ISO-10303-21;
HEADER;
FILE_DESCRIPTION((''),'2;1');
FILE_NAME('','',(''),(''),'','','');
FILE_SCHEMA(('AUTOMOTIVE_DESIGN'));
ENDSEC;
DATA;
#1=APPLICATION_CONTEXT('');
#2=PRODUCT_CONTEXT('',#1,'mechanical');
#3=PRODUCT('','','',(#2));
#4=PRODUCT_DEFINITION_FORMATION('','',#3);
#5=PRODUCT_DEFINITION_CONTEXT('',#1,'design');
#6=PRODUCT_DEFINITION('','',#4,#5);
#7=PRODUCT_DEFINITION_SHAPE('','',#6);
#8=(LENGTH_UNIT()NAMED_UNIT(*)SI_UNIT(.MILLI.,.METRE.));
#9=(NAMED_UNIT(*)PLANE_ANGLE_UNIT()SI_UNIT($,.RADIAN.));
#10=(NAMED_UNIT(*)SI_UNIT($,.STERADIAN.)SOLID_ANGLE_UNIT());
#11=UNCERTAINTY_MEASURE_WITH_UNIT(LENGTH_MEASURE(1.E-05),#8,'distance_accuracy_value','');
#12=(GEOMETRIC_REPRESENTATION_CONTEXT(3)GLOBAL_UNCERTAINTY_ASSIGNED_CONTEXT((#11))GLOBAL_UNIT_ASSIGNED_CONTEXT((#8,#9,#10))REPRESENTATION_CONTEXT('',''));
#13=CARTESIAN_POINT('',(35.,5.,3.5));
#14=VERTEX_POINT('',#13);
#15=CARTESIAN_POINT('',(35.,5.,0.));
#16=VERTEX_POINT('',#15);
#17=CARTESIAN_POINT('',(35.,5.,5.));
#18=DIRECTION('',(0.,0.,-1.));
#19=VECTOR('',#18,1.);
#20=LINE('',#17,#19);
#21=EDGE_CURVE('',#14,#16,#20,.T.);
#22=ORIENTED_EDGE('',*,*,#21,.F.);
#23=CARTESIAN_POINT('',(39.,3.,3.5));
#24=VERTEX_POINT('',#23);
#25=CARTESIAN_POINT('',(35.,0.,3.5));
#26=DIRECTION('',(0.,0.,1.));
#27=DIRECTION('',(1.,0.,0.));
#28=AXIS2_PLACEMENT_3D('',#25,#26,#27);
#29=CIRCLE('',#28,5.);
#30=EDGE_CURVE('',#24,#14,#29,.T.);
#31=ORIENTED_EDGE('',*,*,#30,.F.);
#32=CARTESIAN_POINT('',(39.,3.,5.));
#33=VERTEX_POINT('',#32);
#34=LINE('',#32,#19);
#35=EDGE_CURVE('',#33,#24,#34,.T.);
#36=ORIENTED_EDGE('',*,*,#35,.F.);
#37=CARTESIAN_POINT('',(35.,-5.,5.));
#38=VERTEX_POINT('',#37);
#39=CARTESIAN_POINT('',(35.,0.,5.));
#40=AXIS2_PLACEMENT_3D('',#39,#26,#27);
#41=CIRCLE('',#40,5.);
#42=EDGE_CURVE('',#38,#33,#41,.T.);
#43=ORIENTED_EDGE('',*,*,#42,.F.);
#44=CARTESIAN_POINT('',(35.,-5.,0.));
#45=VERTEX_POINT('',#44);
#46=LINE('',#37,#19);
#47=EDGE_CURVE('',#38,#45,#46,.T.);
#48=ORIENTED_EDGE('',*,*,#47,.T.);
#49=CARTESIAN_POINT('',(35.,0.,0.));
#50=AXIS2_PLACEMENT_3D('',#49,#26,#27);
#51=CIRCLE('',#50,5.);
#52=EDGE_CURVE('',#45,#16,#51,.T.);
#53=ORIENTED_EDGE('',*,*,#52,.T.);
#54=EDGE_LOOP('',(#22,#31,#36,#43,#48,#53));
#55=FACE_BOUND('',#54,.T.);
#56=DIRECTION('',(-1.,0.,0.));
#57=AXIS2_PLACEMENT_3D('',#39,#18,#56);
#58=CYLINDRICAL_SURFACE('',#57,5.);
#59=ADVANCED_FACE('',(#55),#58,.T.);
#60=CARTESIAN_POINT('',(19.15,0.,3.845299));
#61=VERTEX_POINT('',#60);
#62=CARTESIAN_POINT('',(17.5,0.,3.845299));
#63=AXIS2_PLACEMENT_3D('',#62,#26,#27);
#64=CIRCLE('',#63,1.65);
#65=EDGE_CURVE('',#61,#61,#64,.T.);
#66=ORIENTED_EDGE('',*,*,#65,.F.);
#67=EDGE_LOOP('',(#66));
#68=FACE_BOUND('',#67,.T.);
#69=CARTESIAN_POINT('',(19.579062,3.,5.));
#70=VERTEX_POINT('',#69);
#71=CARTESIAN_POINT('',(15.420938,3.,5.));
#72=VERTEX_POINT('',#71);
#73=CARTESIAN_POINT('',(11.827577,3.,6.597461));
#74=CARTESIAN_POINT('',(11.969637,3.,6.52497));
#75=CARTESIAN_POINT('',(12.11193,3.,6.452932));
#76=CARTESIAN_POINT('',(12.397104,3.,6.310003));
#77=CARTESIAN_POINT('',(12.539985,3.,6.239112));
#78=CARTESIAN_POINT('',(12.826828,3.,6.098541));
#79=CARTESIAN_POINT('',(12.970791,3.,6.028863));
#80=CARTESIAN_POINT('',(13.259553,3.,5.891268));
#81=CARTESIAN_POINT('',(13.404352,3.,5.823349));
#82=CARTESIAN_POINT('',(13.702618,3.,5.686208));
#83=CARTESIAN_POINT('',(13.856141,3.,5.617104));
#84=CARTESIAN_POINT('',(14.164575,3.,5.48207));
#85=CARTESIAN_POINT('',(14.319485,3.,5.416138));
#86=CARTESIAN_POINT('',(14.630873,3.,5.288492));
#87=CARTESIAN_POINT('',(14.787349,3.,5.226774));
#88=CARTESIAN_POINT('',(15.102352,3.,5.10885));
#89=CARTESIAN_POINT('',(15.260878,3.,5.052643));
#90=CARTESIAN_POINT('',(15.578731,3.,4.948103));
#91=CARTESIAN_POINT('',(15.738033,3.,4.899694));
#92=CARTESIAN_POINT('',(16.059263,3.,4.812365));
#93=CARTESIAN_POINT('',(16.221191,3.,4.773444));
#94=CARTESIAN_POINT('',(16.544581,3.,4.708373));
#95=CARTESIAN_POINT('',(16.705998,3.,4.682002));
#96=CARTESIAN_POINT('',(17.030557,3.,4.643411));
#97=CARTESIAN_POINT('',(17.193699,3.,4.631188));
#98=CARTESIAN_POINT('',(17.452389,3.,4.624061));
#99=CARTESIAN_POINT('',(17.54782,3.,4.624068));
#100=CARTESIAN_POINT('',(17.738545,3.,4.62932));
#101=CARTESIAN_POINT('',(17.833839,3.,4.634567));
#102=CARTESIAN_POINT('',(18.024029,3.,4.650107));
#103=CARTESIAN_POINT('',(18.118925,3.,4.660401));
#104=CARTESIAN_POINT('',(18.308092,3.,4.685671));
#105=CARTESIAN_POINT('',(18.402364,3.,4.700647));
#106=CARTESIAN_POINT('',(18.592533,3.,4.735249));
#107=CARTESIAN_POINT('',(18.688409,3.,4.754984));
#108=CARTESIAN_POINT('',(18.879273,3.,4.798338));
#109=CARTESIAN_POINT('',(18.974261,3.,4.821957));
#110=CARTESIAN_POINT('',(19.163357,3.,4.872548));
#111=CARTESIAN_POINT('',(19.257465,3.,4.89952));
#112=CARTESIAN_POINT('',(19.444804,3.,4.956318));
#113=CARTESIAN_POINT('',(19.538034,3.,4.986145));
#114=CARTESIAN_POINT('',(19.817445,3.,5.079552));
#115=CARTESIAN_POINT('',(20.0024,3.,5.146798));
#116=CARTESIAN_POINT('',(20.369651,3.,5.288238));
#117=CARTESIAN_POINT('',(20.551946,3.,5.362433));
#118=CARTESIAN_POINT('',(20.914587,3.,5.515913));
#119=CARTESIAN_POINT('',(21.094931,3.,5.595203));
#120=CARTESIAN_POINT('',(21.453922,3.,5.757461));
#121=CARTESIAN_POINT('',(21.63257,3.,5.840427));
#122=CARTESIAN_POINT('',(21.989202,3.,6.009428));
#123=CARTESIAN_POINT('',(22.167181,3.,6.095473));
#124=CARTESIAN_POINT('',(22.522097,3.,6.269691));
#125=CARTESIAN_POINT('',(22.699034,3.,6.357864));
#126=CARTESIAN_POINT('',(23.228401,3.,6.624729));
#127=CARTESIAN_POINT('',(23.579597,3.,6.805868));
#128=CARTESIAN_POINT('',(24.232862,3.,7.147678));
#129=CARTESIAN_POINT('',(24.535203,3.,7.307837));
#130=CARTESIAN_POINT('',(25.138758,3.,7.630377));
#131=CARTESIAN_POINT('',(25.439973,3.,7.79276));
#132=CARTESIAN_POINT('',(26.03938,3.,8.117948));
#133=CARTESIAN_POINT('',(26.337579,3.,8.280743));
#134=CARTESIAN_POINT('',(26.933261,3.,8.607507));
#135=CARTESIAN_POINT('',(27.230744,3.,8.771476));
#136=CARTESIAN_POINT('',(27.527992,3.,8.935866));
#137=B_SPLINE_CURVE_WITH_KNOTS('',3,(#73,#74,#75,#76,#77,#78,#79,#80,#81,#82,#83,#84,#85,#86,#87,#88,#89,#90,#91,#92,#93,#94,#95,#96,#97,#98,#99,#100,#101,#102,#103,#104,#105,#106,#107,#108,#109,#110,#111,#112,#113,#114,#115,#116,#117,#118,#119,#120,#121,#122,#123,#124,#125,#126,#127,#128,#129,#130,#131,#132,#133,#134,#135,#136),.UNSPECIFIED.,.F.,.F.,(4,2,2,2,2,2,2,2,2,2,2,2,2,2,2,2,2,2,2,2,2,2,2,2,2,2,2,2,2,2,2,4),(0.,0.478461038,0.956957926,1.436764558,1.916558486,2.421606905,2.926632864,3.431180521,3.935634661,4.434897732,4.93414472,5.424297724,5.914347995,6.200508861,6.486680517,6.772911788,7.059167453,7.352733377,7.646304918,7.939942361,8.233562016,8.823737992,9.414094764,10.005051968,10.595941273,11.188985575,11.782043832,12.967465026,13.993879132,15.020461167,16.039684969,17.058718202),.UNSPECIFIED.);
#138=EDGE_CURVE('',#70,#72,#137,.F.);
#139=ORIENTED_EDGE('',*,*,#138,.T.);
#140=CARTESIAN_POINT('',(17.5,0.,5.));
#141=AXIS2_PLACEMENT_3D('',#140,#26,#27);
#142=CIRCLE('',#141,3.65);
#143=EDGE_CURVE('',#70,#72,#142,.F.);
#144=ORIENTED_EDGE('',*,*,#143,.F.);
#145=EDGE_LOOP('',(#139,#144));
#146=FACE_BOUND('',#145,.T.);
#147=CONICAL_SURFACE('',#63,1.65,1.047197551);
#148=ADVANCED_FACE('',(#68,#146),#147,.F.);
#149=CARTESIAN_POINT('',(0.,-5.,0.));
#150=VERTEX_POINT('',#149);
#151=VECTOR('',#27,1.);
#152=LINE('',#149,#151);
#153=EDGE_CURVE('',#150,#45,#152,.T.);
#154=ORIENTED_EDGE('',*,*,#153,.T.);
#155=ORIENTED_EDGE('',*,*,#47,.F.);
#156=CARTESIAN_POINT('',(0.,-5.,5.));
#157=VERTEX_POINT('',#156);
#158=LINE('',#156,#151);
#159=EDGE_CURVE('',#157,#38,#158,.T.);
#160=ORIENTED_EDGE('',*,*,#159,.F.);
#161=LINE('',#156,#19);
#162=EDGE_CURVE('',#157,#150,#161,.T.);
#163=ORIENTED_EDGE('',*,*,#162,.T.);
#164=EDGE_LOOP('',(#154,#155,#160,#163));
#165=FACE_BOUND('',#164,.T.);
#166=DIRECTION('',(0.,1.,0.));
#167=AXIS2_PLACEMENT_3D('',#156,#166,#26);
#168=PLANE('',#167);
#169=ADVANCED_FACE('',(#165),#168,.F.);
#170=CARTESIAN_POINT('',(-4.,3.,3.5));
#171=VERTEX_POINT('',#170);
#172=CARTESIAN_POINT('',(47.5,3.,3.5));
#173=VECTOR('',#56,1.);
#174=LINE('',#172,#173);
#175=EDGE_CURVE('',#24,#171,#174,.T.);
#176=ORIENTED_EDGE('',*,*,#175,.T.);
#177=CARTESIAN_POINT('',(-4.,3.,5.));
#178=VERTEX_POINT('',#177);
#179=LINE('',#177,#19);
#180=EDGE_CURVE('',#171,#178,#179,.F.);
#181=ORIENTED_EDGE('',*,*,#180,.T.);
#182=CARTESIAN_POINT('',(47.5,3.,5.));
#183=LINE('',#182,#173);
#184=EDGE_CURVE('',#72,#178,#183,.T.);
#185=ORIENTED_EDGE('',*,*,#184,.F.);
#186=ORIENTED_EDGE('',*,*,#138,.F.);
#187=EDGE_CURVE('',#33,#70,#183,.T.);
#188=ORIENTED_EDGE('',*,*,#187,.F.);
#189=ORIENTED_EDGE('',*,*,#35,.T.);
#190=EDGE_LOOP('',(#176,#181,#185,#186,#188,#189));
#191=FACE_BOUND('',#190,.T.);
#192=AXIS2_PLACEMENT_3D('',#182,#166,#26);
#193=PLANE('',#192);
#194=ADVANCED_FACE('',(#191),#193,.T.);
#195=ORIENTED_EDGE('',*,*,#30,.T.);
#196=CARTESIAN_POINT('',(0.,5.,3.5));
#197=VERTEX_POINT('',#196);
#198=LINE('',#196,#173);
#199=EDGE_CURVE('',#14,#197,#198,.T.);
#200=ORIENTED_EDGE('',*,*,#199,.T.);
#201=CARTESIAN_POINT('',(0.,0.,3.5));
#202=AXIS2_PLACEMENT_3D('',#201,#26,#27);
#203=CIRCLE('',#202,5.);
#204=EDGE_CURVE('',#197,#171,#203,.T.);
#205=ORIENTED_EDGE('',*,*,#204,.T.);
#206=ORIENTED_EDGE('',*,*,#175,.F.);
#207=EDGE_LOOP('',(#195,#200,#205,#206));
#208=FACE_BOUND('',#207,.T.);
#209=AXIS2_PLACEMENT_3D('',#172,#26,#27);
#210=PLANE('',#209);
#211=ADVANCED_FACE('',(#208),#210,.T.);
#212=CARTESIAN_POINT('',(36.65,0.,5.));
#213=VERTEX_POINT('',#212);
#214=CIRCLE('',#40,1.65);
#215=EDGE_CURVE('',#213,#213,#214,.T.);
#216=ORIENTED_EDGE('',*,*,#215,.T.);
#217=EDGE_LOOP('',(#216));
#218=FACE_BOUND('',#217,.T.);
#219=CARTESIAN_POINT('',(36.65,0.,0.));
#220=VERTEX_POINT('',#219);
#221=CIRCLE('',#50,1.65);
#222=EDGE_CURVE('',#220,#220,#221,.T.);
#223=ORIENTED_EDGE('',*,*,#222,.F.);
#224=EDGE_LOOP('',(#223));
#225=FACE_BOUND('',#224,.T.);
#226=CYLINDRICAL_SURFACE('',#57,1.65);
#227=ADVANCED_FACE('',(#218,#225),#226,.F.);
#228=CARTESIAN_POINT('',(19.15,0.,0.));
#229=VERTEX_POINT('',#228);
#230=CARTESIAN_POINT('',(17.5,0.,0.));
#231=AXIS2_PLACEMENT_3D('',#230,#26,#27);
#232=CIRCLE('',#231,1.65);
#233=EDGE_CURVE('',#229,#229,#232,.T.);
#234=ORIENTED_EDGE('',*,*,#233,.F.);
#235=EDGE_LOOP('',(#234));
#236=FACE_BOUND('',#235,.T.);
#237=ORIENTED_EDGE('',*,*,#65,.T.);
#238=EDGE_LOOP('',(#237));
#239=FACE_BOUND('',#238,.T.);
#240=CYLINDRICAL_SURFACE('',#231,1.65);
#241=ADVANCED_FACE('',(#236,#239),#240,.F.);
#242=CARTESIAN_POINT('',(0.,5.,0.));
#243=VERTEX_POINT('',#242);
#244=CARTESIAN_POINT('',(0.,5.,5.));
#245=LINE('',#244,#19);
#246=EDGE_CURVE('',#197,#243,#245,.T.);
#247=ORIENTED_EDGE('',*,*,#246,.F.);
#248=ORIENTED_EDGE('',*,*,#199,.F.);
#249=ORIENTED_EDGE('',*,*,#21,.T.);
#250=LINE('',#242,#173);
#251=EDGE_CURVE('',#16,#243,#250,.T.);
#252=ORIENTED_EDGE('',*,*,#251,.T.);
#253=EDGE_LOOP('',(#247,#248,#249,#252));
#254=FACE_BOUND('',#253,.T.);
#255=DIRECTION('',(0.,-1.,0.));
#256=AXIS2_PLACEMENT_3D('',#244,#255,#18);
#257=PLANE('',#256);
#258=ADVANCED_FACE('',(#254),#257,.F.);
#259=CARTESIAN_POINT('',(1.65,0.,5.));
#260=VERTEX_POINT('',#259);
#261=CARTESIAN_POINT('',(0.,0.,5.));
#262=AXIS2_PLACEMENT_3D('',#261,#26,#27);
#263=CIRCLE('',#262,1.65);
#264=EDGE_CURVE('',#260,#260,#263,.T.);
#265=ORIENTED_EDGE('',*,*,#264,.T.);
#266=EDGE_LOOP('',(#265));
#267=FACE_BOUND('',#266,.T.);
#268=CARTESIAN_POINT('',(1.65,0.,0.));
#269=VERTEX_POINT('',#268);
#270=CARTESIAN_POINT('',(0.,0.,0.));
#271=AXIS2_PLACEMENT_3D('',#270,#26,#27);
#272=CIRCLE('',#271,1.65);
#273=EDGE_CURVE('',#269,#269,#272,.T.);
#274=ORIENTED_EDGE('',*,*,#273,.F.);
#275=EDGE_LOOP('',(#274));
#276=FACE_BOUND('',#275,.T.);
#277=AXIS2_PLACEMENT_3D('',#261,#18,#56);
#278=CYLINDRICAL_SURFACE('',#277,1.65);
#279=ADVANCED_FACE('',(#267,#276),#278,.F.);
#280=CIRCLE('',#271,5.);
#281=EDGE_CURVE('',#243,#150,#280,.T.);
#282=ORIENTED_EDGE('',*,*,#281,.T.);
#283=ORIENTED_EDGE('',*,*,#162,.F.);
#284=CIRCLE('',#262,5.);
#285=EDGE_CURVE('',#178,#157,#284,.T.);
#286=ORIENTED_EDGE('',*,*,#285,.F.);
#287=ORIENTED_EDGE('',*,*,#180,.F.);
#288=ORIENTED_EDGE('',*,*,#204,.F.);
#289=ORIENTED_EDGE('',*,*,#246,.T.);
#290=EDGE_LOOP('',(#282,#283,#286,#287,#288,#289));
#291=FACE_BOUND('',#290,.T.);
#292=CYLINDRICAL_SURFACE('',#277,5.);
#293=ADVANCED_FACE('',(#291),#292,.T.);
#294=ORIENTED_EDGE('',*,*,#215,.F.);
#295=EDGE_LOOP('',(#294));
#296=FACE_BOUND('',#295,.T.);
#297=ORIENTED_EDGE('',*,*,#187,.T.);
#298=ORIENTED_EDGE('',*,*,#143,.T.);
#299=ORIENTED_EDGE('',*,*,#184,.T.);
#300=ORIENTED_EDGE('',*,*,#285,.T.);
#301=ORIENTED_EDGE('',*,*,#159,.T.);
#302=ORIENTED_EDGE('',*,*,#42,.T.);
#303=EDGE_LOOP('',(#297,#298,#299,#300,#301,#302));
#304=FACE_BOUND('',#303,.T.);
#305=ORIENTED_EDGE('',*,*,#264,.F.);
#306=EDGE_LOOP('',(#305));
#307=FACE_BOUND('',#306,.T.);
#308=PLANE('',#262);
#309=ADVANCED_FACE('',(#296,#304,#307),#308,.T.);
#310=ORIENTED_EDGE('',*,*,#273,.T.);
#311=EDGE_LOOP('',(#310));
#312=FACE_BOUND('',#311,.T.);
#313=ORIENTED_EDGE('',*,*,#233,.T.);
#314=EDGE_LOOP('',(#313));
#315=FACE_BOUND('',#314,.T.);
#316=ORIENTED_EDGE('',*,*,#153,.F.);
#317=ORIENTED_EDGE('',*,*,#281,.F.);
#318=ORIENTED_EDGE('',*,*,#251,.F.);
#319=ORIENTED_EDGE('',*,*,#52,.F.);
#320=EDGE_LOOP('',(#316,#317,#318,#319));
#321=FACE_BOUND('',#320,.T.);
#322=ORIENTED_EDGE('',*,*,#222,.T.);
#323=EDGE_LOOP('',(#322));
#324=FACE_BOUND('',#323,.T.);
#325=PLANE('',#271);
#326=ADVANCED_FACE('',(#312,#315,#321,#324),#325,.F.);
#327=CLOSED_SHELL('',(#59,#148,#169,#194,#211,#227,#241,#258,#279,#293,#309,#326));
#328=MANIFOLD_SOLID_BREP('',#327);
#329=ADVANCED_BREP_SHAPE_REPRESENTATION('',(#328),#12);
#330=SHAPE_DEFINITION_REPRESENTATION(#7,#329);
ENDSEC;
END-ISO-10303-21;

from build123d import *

# Parameters (mm, degrees)
SKETCH1_R           = 1.65
BOSS_EXTRUDE1_DEPTH = 5
SKETCH2_R           = 1.65
CUT_EXTRUDE1_DEPTH  = 5
CHAMFER1_SIZE       = 2
CHAMFER1_SIZE2      = 1.154700538
SKETCH3_W           = 1.5
SKETCH3_H           = 2
CUT_EXTRUDE2_DEPTH  = 47.5


with BuildPart() as part:
    # Sketch1 → Boss-Extrude1 (new body)
    with BuildSketch(Plane.XY):
        with BuildLine():
            Line((0, 5), (35, 5))
            ThreePointArc((35, 5), (40, 0), (35, -5))
            Line((35, -5), (0, -5))
            ThreePointArc((0, -5), (-5, 0), (0, 5))
        make_face()
        with Locations((35, 0)):
            Circle(SKETCH1_R, mode=Mode.SUBTRACT)
        Circle(SKETCH1_R, mode=Mode.SUBTRACT)
    extrude(amount=BOSS_EXTRUDE1_DEPTH)

    # Sketch2 → Cut-Extrude1 (cut)
    with BuildSketch(Plane.XY.offset(5)):
        with Locations((17.5, 0)):
            Circle(SKETCH2_R)
    extrude(amount=-CUT_EXTRUDE1_DEPTH, mode=Mode.SUBTRACT)

    # Chamfer1
    chamfer1_edges = [part.edges().sort_by_distance(p)[0] for p in [
        (15.85, 0, 5),
    ]]
    chamfer1_side = [part.faces().sort_by_distance(p)[0] for p in [
        (17.5, 4.539022777, 5),
    ]]
    chamfer(chamfer1_edges, length=CHAMFER1_SIZE, length2=CHAMFER1_SIZE2, reference=chamfer1_side[0])

    # Sketch3 → Cut-Extrude2 (cut, symmetric)
    with BuildSketch(Plane(origin=(0, 0, 0), x_dir=(0, 0, -1), z_dir=(1, 0, 0))):
        with Locations((-4.25, 4)):
            Rectangle(SKETCH3_W, SKETCH3_H)
    extrude(amount=CUT_EXTRUDE2_DEPTH, both=True, mode=Mode.SUBTRACT)


solid = part.part
